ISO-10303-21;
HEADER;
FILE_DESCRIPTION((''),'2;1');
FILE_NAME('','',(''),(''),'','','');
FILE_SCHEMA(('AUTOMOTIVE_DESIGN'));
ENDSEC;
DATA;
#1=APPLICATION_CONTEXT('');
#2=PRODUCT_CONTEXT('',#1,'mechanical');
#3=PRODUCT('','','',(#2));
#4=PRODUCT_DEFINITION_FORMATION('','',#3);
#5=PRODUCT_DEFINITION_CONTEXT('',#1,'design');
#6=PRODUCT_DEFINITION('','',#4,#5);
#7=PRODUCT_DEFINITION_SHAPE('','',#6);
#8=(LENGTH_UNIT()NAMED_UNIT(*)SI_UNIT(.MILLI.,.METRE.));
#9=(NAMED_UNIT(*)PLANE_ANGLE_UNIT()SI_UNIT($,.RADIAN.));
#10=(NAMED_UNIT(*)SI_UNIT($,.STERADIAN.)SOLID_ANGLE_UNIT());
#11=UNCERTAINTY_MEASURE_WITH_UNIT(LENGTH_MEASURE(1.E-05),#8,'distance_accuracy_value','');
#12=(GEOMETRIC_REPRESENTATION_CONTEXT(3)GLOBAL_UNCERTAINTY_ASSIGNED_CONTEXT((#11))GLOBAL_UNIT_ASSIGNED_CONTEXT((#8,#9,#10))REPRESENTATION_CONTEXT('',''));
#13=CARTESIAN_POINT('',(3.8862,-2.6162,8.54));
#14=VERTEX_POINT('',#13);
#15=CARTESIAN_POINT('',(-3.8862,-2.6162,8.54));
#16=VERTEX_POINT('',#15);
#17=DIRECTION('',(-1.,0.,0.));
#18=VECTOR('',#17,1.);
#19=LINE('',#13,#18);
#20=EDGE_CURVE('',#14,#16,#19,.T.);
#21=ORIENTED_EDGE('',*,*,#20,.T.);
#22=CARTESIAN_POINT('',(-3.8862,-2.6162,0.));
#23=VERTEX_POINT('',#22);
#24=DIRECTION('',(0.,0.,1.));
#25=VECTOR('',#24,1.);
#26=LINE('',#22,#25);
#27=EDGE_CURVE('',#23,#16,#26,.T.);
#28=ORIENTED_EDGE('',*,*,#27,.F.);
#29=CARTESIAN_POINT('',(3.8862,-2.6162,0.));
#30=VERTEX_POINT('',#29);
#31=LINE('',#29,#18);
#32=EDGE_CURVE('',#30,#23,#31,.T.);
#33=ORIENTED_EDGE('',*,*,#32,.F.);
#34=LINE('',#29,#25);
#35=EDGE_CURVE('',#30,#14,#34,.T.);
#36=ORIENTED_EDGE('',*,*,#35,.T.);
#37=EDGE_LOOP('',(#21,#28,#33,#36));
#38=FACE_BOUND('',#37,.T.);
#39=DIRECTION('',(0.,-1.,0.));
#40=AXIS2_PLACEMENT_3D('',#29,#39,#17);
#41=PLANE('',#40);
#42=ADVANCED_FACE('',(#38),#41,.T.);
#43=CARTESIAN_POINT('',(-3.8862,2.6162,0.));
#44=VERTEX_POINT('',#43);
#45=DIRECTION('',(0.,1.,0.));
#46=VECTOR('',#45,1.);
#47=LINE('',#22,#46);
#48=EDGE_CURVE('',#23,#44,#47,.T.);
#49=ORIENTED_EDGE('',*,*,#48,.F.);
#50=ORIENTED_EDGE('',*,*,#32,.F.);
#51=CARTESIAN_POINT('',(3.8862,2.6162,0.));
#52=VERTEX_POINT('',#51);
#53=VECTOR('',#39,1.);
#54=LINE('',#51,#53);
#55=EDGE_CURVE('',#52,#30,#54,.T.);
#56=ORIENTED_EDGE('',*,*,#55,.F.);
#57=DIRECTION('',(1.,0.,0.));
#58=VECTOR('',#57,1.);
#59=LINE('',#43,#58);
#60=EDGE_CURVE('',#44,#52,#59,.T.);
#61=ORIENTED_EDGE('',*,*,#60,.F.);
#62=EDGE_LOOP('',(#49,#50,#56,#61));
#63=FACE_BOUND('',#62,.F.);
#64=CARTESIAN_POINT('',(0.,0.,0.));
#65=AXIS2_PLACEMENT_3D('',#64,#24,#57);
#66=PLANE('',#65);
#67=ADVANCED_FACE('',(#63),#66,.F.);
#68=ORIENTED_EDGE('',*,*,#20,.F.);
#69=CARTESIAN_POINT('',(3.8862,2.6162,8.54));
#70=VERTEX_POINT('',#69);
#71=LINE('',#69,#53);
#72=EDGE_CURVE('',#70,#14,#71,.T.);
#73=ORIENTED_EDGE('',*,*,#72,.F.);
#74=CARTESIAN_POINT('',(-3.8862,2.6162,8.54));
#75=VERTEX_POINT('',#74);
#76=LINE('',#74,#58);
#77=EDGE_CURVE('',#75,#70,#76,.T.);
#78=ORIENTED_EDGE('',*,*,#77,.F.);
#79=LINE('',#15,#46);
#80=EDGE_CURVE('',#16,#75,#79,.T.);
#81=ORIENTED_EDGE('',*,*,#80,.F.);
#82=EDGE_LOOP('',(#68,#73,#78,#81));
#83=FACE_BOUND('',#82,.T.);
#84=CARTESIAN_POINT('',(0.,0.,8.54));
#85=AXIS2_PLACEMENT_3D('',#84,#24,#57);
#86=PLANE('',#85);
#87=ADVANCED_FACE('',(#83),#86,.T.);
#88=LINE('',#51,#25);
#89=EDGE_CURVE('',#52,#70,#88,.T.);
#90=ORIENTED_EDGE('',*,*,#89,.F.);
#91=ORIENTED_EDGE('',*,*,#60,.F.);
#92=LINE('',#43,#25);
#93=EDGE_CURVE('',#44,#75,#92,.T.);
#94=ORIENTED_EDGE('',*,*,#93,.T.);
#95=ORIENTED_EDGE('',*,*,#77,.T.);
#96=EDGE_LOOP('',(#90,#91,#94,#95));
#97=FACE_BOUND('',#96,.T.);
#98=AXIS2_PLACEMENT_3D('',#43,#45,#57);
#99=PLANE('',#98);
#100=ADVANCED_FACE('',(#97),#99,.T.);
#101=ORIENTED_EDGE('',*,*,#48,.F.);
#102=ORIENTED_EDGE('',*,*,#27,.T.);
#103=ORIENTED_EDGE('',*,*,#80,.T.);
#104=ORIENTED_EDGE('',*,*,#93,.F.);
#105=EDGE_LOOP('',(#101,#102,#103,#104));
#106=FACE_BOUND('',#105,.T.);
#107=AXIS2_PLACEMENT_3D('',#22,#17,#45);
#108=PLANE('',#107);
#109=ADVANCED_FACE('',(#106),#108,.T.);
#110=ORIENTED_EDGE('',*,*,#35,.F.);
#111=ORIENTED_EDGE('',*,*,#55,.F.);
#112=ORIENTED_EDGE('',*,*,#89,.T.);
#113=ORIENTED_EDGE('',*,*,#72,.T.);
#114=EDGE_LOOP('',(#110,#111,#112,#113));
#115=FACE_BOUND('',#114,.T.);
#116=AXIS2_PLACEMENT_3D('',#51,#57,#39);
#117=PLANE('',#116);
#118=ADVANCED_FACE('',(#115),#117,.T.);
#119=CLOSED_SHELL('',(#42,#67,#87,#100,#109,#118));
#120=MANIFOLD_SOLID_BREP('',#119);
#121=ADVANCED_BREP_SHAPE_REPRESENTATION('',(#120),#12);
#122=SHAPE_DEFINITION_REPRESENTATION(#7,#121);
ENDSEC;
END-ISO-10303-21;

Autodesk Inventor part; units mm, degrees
ref_plane "YZ Plane" through (0, 0, 0) normal (1, 0, 0) x (0, 1, 0)
ref_plane "XZ Plane" through (0, 0, 0) normal (0, 1, 0) x (-1, 0, 0)
ref_plane "XY Plane" through (0, 0, 0) normal (0, 0, 1) x (1, 0, 0)
sketch "2X03, PINHD-2X3_283" plane through (0, 0, 0) normal (0, 0, 1) x (1, 0, 0)
  line L0 (3.8862, -2.6162) -> (-3.8862, -2.6162)
  line L1 (-3.8862, -2.6162) -> (-3.8862, 2.6162)
  line L2 (-3.8862, 2.6162) -> (3.8862, 2.6162)
  line L3 (3.8862, 2.6162) -> (3.8862, -2.6162)
extrude "Extrusion1" add sketch "2X03, PINHD-2X3_283" along normal blind 8.54
properties part number "PINHD-2X3"
